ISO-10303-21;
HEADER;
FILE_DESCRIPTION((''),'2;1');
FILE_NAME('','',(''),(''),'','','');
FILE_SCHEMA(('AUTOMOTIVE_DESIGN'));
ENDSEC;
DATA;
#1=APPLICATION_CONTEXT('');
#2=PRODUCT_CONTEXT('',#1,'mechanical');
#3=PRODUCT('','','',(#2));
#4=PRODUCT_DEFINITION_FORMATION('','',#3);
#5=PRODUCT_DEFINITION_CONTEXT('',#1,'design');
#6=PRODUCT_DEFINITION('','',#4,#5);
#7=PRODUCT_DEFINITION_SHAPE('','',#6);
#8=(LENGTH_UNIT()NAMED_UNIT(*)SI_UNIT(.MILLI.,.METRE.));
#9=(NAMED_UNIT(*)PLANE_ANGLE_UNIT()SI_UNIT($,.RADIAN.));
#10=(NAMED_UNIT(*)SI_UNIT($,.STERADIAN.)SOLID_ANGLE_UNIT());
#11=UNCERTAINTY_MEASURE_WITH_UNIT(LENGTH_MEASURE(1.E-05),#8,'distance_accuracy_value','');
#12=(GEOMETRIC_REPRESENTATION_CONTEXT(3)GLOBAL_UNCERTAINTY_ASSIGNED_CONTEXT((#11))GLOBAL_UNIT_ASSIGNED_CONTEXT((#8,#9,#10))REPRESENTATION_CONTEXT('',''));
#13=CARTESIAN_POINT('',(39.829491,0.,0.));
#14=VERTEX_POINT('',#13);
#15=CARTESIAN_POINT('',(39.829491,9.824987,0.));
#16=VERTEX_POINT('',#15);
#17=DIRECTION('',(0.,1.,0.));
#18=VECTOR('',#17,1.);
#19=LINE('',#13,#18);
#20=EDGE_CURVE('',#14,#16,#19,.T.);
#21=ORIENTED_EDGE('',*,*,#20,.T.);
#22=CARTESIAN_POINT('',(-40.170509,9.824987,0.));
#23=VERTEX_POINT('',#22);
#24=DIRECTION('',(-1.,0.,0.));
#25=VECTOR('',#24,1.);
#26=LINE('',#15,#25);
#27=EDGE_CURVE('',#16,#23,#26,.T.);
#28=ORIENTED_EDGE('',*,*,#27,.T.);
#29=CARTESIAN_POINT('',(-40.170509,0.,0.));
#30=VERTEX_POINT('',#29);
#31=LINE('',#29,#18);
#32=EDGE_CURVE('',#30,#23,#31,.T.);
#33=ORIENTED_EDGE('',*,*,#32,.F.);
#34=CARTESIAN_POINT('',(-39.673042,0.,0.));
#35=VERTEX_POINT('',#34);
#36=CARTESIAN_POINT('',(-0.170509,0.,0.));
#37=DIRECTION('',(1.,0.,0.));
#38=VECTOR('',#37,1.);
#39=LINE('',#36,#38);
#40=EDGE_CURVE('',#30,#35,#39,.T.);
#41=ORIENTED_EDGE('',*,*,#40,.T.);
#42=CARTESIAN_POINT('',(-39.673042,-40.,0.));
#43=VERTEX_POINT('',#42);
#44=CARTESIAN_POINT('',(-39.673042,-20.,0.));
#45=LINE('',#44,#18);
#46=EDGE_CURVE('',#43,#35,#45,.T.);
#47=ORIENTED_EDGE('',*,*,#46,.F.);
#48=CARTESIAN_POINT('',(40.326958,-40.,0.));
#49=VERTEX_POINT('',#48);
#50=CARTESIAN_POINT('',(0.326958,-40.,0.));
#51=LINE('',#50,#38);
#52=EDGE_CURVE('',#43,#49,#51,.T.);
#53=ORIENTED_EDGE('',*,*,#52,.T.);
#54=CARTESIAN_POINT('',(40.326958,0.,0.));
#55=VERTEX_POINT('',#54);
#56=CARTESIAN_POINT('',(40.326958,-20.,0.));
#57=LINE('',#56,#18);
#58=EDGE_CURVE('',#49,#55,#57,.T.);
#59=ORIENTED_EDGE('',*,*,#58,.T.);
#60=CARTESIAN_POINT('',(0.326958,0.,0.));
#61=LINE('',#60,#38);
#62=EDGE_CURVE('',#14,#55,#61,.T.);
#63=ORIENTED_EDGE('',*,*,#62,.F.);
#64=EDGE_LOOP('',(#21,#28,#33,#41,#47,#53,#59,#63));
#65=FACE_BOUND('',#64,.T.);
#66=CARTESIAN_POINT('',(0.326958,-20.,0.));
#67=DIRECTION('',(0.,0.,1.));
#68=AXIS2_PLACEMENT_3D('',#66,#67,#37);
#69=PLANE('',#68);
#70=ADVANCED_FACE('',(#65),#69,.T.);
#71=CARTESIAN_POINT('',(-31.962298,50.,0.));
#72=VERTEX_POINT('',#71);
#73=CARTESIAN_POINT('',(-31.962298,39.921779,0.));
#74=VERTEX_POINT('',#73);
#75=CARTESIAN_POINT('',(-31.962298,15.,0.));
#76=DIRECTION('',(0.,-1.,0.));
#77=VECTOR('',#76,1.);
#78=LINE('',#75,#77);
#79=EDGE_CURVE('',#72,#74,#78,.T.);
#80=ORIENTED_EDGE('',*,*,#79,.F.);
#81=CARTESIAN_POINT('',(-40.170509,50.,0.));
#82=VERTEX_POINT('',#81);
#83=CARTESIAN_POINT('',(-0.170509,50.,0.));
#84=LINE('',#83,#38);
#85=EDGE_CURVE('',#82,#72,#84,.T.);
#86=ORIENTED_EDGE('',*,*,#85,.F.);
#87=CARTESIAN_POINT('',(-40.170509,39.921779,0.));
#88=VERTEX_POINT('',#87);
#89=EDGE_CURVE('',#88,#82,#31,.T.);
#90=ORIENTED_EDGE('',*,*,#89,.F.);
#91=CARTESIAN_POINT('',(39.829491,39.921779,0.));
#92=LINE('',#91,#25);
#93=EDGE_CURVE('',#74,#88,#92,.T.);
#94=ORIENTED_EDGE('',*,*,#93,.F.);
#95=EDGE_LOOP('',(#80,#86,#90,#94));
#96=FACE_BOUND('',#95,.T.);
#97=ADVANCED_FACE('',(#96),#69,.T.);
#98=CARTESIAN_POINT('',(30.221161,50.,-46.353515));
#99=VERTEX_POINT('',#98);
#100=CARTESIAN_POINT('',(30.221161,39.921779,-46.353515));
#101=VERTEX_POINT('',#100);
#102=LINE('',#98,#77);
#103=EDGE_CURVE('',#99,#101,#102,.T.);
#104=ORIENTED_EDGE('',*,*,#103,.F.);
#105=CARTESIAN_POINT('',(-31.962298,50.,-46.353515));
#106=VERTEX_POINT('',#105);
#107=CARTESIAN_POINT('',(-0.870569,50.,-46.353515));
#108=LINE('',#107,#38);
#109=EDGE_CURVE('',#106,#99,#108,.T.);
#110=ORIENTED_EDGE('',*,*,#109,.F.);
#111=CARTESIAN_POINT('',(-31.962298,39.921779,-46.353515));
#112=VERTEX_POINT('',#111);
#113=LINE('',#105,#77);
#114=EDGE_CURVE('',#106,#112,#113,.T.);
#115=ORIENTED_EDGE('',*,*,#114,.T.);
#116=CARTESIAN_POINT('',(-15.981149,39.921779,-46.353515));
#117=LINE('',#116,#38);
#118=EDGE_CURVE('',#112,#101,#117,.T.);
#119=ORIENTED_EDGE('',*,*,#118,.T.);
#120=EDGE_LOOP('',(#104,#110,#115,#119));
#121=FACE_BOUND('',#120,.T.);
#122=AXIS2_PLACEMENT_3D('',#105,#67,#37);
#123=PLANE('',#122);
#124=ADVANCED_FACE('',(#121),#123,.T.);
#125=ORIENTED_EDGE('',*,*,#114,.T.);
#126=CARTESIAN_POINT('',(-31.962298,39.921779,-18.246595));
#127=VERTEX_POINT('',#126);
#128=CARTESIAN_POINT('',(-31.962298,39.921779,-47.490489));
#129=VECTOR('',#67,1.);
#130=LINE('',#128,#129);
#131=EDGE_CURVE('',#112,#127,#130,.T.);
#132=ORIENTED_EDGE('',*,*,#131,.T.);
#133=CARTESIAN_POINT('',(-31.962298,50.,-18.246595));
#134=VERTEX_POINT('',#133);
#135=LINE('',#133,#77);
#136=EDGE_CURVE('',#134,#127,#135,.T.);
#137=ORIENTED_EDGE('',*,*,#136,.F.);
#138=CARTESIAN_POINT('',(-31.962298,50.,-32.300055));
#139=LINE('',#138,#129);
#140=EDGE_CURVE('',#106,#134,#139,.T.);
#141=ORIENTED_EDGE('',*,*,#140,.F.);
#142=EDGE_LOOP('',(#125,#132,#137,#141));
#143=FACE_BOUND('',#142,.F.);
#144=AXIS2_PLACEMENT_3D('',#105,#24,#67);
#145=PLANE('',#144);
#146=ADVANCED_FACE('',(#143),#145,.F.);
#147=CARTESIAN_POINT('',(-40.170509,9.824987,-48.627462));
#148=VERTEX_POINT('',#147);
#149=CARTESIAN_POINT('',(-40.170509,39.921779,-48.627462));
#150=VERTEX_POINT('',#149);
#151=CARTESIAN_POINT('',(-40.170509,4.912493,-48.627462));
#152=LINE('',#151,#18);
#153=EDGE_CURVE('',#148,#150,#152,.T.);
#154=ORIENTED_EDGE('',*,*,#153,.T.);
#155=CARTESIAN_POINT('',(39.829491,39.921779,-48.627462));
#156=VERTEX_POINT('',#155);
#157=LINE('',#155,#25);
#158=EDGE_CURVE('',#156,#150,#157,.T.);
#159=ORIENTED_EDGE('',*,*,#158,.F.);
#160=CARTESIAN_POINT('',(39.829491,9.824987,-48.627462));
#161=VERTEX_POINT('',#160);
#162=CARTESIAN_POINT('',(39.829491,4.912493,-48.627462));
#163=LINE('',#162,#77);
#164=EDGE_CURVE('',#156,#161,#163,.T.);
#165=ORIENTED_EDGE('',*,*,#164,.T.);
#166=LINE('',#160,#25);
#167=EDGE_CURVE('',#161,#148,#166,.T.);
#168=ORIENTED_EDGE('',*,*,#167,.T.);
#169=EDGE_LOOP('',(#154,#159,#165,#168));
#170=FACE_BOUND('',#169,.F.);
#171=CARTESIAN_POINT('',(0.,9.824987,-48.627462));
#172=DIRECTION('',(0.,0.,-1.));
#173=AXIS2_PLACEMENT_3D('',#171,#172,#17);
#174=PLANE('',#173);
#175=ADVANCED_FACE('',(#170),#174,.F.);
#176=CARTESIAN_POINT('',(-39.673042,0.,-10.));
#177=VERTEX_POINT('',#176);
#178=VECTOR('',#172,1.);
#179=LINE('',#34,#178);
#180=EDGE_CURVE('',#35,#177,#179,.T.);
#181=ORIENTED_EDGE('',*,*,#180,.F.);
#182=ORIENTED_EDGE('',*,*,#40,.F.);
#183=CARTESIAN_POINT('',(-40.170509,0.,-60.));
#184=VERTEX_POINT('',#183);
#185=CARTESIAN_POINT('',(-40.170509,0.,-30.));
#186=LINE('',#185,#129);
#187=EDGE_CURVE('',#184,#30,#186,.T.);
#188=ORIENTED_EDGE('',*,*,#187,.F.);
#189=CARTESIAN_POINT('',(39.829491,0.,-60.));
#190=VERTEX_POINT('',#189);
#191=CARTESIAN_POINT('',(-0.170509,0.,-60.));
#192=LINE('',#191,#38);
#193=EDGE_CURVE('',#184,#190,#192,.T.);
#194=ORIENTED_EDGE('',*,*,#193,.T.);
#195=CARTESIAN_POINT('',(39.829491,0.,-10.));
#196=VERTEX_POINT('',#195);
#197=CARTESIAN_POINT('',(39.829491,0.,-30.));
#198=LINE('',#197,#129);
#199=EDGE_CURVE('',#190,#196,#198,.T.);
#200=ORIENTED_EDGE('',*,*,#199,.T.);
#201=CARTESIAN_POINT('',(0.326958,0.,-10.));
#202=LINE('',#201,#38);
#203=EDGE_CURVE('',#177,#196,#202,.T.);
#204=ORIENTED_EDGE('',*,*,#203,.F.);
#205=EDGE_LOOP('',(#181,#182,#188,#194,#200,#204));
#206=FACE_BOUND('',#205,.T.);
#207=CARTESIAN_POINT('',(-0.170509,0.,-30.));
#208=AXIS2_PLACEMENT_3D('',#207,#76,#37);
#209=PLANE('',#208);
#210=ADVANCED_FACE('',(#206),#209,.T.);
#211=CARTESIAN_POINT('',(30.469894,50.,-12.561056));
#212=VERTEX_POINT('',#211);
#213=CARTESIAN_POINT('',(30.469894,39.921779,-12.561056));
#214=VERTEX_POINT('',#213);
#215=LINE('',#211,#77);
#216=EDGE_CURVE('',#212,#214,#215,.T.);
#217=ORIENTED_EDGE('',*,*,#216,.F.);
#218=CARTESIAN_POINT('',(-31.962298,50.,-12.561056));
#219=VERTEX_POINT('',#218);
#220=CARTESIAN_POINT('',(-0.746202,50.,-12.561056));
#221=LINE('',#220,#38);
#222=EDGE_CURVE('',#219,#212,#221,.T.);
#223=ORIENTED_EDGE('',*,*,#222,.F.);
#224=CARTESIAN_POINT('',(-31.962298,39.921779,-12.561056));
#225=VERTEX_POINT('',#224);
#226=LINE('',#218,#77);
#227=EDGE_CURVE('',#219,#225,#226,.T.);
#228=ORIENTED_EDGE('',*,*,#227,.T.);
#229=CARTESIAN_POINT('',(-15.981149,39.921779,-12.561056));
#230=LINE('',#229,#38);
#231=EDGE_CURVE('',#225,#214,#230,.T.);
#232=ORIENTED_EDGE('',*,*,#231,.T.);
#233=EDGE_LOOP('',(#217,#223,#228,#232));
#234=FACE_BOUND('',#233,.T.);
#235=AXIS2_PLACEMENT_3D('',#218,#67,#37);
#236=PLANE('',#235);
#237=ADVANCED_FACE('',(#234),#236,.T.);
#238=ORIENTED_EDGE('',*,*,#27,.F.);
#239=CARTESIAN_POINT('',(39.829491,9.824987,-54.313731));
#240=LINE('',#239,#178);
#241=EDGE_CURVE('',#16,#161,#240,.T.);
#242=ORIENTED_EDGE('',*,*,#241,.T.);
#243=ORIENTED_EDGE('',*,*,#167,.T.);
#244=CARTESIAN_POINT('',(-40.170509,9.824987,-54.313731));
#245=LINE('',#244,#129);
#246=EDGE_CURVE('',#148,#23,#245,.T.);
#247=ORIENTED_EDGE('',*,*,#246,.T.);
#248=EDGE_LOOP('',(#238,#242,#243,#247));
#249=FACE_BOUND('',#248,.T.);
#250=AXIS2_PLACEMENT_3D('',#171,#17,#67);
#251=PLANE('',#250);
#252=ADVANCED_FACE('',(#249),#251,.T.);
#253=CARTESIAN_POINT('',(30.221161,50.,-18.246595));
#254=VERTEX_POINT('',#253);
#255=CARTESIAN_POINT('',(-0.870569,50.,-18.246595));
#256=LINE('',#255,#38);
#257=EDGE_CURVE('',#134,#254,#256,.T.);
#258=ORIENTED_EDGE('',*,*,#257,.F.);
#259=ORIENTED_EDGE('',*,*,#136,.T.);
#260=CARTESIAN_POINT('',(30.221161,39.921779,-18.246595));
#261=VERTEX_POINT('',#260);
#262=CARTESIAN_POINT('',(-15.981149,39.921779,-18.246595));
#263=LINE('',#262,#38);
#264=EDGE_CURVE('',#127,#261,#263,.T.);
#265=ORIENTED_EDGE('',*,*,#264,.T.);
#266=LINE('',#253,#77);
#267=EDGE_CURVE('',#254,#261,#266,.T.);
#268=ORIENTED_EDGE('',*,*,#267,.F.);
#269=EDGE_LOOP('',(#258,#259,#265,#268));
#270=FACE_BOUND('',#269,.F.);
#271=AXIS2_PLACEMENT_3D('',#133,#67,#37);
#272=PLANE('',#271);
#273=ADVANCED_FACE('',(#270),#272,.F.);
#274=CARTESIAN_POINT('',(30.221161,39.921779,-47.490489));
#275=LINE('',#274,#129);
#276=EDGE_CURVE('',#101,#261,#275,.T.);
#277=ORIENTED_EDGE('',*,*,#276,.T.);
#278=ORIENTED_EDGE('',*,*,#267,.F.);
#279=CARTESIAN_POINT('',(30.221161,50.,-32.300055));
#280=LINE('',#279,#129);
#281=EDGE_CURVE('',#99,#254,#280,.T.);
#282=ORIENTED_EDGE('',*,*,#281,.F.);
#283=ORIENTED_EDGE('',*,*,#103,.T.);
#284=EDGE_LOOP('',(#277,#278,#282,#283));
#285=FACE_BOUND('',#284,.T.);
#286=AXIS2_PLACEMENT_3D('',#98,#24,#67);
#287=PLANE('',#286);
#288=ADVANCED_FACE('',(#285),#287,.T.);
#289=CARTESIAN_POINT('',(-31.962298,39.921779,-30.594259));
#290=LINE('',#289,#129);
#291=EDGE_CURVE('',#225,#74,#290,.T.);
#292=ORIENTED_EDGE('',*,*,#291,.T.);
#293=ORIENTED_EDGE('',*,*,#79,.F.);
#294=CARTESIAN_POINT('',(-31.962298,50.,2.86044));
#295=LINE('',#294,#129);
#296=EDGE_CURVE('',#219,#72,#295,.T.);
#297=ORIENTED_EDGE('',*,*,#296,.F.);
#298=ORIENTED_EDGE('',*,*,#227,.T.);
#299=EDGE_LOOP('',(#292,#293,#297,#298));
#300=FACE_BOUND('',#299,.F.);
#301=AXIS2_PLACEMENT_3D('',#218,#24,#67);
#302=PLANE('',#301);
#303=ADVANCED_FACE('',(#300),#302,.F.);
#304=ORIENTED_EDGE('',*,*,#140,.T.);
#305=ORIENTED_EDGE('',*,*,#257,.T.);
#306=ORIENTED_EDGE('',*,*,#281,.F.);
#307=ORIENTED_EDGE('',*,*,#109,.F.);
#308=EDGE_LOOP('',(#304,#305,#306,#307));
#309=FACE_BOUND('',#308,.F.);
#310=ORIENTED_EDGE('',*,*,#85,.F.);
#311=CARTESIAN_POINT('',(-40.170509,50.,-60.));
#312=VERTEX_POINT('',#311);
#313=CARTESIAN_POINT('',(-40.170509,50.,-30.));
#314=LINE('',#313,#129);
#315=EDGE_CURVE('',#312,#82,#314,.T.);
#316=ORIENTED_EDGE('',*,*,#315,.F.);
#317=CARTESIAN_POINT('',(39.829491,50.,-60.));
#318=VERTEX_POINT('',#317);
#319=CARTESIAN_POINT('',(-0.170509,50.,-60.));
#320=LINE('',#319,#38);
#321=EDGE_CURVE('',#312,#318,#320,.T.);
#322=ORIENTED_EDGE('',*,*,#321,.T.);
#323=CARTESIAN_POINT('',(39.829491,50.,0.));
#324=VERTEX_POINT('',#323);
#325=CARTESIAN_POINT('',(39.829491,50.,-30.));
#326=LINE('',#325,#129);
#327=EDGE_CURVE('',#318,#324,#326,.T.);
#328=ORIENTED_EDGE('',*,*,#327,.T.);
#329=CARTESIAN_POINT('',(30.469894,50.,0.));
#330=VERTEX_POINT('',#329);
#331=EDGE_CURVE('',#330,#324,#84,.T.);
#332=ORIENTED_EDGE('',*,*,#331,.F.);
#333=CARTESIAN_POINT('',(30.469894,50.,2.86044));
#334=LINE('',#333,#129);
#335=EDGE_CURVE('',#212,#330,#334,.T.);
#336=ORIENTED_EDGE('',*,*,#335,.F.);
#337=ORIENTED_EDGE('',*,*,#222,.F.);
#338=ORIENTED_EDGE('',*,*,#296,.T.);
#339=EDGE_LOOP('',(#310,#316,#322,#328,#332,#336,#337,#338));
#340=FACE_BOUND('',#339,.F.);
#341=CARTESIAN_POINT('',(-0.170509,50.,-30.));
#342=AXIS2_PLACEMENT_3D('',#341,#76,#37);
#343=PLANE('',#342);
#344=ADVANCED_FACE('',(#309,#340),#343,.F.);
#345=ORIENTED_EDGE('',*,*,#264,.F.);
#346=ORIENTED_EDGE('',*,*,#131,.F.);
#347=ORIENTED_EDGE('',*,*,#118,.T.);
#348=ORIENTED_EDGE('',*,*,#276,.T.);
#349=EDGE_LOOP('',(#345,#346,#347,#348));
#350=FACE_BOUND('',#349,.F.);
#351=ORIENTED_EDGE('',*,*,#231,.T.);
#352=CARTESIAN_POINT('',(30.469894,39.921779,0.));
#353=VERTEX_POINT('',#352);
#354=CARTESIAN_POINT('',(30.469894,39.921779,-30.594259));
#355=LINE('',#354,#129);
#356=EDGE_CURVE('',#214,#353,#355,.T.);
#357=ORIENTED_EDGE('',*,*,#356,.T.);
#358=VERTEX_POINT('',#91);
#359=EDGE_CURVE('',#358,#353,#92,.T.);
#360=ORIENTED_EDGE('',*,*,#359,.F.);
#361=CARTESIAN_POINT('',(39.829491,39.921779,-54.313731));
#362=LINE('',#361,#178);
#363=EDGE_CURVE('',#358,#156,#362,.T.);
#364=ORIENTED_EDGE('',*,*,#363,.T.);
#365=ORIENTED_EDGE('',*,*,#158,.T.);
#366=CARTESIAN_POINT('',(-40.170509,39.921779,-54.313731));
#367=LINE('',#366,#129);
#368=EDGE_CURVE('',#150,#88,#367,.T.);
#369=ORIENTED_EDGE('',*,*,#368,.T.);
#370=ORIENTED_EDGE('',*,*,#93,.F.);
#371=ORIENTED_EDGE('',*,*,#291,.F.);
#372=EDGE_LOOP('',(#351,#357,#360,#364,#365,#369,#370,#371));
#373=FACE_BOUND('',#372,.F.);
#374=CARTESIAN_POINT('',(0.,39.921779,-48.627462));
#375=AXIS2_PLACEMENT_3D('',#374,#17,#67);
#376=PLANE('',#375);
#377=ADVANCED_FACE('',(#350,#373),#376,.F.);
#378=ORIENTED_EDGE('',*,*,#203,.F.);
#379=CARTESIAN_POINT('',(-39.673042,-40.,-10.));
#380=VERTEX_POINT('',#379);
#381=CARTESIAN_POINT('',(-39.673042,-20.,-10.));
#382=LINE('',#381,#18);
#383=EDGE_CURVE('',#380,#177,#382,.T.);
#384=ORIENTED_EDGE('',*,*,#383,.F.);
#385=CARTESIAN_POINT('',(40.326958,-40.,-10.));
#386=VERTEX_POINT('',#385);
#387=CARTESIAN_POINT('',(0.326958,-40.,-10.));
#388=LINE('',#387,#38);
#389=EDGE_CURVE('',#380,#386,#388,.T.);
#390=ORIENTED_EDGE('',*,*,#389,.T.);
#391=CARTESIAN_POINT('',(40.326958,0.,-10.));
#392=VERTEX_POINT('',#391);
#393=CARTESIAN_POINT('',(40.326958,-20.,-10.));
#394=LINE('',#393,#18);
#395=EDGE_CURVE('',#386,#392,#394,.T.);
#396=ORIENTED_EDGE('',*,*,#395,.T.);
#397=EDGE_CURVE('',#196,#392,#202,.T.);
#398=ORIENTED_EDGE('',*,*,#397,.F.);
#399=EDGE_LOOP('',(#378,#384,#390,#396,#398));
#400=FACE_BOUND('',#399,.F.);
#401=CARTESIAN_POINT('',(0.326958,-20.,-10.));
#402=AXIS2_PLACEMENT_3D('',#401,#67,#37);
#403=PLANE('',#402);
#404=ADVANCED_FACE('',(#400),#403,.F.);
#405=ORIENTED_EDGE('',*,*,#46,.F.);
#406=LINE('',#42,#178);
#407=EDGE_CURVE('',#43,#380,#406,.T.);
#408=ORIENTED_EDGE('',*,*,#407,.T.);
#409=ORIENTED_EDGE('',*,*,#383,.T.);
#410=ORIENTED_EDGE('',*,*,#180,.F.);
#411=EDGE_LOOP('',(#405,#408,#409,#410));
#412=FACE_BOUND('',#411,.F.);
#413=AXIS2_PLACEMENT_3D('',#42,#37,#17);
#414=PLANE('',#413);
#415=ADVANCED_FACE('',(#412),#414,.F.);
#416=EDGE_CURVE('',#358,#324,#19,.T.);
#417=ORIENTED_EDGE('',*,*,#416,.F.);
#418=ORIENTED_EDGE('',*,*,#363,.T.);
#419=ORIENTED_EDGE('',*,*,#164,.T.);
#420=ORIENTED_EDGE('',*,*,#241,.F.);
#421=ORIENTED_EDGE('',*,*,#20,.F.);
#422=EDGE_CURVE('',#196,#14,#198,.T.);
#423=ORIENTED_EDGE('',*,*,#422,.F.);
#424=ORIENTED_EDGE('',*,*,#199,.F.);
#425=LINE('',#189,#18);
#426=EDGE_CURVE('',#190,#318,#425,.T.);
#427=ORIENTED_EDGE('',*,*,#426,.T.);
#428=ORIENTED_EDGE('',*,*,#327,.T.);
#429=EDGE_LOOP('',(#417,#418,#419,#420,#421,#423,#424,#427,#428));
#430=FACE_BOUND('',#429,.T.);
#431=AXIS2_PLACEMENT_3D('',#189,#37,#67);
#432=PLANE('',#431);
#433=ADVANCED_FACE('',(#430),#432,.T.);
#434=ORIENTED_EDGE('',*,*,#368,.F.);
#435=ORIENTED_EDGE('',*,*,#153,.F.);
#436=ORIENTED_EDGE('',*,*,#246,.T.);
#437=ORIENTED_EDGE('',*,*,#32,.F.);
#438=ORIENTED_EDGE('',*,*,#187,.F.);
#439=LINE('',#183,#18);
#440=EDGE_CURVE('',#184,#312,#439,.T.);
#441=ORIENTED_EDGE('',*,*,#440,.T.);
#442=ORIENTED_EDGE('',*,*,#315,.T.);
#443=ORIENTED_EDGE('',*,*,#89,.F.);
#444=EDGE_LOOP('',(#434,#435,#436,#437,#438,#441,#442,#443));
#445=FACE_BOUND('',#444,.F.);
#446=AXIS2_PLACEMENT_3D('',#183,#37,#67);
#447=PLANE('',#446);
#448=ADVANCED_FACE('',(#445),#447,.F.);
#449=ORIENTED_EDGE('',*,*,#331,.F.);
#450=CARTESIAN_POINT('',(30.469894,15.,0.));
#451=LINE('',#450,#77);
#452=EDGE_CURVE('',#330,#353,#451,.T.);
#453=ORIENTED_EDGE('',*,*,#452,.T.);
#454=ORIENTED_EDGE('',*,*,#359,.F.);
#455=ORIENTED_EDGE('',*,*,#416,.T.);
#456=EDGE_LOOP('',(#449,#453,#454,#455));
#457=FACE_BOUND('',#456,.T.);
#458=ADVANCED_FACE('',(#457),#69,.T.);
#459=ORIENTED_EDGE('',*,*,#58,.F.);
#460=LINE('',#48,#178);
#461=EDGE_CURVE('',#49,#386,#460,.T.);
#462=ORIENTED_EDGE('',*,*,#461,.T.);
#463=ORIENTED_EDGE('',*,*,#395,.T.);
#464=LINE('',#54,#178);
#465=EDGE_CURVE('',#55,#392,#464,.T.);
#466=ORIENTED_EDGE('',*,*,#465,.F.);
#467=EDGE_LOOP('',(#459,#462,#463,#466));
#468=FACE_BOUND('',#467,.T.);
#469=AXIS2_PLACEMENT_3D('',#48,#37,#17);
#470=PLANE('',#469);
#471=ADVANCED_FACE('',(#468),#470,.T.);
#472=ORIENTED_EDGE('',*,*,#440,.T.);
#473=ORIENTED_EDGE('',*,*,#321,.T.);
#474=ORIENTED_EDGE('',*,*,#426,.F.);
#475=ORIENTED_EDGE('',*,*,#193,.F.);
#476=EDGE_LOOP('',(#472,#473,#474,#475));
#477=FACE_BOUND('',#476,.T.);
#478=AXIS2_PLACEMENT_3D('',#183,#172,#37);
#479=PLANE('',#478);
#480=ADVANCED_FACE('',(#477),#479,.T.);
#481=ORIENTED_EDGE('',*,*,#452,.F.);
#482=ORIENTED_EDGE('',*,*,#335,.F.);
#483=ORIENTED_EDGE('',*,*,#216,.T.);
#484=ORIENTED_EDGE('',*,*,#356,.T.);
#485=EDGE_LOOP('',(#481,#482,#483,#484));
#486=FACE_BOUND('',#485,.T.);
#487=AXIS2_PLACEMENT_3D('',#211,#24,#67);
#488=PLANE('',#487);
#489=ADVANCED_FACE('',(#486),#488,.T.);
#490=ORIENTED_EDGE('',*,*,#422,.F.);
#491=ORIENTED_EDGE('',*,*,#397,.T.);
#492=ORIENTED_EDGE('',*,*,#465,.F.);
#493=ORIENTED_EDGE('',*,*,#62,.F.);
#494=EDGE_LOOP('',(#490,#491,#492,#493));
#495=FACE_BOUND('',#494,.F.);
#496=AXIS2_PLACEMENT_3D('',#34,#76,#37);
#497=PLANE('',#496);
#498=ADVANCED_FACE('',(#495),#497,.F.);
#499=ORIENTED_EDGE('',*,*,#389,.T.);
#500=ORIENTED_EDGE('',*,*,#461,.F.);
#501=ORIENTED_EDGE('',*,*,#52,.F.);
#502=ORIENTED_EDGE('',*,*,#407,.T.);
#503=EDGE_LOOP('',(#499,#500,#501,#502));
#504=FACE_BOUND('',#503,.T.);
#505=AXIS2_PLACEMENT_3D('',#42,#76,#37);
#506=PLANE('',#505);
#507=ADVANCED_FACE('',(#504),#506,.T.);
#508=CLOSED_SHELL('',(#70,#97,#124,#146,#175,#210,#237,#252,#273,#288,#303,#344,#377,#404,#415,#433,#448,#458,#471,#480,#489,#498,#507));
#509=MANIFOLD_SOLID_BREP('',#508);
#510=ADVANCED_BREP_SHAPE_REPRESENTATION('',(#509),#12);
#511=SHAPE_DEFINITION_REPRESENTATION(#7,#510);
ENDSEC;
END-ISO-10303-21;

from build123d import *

# Parameters (mm, degrees)
F1_W          = 80
F1_H          = 60
F2_DEPTH      = 50
F0_W          = 80
F0_H          = 40
F3_DEPTH      = 10
F4_W          = 30.096792616
F4_H          = 78.1024228781
F5_DEPTH      = 50
F5_DEPTH_BACK = 50
F7_W          = 62.432192266
F7_H          = 30.8429924771
F7_W_2        = 62.183458358
F7_H_2        = 28.1069204211
F8_DEPTH      = 25


with BuildPart() as f2:
    # F1 (on Front) → F2 (new body)
    with BuildSketch(Plane.XZ):
        with Locations((-0.1705093682, -30)):
            Rectangle(F1_W, F1_H)
    extrude(amount=-F2_DEPTH)

    # F0 (on Top) → F3 (join)
    with BuildSketch(Plane.XY):
        with Locations((0.3269584477, -20)):
            Rectangle(F0_W, F0_H)
    extrude(amount=-F3_DEPTH)

    # F4 (on Right) → F5 (cut, two sides)
    with BuildSketch(Plane.YZ) as f5_sk:
        with Locations((24.8733828776, -9.576250799)):
            Rectangle(F4_W, F4_H)
    extrude(amount=-F5_DEPTH, mode=Mode.SUBTRACT)
    extrude(f5_sk.sketch, amount=F5_DEPTH_BACK, mode=Mode.SUBTRACT)

    # F7 (on offset) → F8 (cut)
    with BuildSketch(Plane.XZ.offset(-50)):
        with Locations((-0.7462017238, 2.8604404069)):
            Rectangle(F7_W, F7_H)
        with Locations((-0.8705686778, -32.300055027)):
            Rectangle(F7_W_2, F7_H_2)
    extrude(amount=F8_DEPTH, mode=Mode.SUBTRACT)


solid = f2.part
